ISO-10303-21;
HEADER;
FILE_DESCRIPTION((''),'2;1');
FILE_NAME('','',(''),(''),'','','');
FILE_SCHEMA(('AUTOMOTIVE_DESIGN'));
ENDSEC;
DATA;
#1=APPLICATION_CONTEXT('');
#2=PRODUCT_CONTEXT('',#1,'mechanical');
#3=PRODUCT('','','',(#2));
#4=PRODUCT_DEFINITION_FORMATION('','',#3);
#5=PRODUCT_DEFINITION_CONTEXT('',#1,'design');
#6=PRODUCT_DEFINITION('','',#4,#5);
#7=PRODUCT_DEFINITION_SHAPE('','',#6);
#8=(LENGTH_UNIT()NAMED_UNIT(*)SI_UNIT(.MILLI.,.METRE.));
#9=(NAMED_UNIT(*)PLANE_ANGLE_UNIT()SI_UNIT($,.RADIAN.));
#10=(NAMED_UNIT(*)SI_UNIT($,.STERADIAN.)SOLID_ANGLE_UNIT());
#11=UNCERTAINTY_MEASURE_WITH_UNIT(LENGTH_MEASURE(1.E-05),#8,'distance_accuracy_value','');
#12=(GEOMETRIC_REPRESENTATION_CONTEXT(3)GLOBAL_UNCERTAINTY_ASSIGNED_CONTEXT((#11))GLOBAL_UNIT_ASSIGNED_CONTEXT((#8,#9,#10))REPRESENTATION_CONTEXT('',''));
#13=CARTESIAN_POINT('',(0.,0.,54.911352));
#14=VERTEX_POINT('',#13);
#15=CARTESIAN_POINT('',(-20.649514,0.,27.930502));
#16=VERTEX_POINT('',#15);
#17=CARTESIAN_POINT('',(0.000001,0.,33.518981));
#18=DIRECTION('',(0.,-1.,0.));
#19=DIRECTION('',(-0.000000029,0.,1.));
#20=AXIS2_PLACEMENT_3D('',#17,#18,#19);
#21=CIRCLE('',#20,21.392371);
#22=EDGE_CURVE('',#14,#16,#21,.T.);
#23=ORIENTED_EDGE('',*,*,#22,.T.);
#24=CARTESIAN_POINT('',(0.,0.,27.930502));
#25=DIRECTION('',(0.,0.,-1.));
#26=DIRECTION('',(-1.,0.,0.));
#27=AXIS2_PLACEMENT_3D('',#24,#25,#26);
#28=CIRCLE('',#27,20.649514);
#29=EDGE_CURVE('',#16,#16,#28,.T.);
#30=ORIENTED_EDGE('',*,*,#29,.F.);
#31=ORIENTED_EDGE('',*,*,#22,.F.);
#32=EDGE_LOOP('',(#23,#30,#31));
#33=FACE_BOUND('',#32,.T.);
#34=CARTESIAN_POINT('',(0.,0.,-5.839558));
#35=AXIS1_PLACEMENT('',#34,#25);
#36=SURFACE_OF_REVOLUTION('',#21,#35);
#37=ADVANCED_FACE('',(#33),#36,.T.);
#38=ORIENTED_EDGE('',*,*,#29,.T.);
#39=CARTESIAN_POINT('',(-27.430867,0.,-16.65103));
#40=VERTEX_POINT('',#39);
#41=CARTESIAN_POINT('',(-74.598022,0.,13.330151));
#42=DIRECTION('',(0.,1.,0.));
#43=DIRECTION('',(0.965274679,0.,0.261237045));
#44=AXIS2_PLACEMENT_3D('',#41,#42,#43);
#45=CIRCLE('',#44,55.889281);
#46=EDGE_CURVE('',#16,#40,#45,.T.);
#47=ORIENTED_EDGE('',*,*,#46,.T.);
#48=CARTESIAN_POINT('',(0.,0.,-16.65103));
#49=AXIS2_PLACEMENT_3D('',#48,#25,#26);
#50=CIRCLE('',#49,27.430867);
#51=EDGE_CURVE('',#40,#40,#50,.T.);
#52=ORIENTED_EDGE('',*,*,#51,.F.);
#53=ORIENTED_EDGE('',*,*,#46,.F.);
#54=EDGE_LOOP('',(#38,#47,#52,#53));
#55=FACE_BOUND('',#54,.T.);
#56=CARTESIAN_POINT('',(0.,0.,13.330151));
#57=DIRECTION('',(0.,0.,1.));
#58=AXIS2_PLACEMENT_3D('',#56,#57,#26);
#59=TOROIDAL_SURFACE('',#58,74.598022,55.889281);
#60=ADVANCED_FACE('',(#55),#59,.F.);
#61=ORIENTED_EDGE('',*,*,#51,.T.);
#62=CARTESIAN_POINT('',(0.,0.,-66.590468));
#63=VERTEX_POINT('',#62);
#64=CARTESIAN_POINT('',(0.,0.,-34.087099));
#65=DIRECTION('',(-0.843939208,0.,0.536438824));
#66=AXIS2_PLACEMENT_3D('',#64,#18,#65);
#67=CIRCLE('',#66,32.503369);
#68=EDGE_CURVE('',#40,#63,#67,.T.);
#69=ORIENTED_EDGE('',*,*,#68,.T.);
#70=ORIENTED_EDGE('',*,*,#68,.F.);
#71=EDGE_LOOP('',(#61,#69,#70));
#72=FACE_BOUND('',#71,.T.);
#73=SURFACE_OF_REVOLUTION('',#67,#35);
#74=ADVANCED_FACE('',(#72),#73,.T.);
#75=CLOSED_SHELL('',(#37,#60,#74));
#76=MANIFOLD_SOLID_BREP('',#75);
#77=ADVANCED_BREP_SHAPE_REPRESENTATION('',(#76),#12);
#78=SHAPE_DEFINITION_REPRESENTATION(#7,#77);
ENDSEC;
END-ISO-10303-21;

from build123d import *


with BuildPart() as f1:
    # F0 (on Front) → F1 (revolve)
    with BuildSketch(Plane.XZ):
        with BuildLine():
            Line((0, -66.590468), (0, 54.911352))
            ThreePointArc((0, 54.911352), (-16.988001, 46.520571), (-20.649514, 27.930502))
            ThreePointArc((-20.649514, 27.930502), (-19.344311, 4.92544), (-27.430867, -16.65103))
            ThreePointArc((-27.430867, -16.65103), (-28.488594, -49.735389), (0, -66.590468))
        make_face()
    revolve(axis=Axis((0, 0, -5.839558), (0, 0, -1)))


solid = f1.part
